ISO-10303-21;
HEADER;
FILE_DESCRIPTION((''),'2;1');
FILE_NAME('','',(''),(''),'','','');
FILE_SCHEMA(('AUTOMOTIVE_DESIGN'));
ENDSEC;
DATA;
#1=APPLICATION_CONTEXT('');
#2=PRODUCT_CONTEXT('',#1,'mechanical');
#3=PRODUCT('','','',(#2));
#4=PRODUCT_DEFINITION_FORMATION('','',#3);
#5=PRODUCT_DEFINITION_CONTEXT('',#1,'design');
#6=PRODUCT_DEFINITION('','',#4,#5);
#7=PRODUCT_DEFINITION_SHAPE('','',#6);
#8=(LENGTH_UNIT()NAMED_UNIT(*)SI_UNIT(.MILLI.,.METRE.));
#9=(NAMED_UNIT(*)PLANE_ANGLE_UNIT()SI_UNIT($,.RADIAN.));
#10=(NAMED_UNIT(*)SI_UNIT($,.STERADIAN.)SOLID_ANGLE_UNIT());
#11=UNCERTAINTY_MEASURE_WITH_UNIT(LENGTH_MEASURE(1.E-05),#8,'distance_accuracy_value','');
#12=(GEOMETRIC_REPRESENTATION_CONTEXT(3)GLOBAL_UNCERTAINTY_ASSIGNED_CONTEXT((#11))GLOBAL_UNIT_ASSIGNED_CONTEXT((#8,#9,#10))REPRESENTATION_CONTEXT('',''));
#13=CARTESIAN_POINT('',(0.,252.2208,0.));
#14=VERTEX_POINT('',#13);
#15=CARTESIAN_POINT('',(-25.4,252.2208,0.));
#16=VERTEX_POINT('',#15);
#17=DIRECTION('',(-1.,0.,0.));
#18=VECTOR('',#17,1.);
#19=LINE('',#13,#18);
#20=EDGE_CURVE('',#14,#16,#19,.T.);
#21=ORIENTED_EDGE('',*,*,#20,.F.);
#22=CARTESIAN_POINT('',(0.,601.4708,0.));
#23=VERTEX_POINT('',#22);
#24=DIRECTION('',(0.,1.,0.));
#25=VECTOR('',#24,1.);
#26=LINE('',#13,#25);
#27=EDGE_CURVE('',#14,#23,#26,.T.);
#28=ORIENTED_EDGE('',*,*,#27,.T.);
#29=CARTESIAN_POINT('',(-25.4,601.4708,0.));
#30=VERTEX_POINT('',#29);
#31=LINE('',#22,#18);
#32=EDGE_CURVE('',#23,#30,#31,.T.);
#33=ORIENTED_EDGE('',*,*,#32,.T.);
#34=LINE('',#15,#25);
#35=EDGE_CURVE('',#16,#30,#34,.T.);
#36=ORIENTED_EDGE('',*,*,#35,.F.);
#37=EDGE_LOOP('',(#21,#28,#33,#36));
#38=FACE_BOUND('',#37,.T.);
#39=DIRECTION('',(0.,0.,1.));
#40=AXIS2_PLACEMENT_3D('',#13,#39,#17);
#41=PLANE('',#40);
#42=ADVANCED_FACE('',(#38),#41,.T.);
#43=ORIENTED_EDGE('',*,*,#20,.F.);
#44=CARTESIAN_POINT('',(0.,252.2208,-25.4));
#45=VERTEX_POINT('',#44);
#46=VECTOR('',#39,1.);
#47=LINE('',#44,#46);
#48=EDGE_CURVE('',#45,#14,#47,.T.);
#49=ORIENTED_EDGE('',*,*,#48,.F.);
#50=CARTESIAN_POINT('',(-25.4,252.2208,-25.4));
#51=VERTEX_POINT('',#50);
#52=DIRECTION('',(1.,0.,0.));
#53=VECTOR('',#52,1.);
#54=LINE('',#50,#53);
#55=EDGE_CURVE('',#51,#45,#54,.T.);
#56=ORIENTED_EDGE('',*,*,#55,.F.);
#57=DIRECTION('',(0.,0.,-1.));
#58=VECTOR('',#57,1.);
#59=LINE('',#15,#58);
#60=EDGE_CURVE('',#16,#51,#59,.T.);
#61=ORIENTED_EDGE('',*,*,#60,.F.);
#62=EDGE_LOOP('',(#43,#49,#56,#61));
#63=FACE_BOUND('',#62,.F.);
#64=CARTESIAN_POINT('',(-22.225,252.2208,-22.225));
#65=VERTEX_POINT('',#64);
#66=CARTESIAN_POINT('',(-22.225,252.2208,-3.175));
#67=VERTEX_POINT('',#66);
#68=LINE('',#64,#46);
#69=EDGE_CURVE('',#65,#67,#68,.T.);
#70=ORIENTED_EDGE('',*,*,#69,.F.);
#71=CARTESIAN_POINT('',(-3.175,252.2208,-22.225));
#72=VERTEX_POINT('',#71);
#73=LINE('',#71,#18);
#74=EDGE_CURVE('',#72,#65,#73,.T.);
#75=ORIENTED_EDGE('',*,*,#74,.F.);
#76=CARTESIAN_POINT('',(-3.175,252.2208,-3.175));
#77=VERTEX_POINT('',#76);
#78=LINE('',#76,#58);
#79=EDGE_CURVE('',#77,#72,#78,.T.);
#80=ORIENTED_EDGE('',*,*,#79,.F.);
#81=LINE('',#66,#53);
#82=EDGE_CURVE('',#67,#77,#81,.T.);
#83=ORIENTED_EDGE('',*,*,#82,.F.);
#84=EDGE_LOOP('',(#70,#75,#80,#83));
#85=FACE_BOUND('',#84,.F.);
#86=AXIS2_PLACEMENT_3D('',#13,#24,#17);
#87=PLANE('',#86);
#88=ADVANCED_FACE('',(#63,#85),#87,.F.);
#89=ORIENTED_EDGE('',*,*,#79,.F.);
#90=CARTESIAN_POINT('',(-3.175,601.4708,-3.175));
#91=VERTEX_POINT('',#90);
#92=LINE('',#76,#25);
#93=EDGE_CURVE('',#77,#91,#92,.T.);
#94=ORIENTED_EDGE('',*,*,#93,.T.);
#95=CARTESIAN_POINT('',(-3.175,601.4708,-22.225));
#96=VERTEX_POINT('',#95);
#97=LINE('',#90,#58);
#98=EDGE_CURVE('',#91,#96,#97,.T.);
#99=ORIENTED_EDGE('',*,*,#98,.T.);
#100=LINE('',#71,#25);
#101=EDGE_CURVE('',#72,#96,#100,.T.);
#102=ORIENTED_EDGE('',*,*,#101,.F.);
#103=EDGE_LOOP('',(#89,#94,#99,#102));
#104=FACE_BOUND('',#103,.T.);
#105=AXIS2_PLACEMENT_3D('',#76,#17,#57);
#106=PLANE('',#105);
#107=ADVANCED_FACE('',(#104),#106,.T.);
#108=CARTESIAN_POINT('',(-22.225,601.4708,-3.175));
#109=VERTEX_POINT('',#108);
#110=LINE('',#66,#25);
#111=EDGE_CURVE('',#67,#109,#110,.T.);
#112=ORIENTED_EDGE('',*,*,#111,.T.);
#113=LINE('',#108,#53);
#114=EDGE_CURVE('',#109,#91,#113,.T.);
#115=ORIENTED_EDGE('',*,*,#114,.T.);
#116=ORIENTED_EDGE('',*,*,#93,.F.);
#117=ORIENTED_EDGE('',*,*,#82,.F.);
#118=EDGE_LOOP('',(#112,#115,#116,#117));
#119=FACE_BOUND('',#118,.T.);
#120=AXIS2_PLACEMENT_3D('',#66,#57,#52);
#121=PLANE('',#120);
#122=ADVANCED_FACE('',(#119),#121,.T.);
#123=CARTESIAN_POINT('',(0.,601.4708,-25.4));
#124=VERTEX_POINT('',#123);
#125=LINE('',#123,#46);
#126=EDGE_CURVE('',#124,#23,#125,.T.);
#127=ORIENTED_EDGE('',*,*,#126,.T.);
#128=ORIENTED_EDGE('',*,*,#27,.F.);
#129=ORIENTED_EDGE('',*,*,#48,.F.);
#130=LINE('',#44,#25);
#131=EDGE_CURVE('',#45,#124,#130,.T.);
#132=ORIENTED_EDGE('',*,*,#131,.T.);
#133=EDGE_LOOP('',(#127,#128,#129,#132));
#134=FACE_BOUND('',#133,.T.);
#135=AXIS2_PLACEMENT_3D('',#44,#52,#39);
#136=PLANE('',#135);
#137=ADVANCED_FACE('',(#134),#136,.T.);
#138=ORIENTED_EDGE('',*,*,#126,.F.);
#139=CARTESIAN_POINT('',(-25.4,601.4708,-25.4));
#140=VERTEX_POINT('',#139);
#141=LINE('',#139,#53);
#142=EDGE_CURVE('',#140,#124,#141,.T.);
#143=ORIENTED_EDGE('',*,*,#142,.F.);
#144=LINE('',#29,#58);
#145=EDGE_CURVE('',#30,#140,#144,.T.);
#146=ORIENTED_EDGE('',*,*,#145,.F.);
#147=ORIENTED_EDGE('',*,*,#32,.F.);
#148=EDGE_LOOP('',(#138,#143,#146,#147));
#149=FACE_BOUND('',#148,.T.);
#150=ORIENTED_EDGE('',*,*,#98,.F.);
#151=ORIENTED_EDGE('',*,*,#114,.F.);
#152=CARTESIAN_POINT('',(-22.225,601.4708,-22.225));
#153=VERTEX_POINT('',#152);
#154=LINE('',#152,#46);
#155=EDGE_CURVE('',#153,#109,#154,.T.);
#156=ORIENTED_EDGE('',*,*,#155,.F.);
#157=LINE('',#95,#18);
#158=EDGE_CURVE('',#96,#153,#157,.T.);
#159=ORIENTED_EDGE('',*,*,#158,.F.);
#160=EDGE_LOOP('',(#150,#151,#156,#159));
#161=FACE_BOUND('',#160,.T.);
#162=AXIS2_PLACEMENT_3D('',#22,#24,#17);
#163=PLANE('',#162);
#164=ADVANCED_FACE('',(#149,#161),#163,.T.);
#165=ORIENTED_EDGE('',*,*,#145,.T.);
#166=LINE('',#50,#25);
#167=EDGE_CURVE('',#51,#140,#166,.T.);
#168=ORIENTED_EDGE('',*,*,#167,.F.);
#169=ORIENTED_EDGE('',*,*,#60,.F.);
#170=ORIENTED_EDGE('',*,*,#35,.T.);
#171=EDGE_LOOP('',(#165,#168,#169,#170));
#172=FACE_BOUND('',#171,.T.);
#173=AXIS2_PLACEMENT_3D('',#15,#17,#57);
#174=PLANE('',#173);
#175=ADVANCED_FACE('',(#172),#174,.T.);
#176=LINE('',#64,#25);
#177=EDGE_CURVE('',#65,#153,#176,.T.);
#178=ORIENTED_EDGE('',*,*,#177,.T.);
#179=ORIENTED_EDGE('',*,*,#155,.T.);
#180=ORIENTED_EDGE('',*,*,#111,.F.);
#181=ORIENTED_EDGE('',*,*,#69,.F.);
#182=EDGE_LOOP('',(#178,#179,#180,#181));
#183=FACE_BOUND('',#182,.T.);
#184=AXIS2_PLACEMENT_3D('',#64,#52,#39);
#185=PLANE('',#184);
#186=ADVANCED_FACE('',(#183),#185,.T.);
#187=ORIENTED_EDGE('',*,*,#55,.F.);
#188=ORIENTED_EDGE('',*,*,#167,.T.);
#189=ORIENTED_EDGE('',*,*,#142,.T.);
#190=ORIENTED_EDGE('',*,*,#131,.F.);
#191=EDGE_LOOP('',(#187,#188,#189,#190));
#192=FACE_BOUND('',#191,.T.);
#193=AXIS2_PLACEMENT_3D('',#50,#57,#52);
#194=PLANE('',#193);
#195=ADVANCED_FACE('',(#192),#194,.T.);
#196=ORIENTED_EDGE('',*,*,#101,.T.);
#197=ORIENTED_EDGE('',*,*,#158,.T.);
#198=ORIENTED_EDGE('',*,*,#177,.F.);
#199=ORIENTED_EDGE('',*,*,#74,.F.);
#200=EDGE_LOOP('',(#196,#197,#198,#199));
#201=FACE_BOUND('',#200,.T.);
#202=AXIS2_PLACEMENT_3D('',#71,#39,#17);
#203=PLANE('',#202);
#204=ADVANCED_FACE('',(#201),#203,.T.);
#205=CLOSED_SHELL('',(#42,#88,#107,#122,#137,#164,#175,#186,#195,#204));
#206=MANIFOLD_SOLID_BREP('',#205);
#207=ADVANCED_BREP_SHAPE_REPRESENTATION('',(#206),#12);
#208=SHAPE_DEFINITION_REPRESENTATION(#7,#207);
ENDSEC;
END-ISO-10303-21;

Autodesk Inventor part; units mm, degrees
ref_plane "YZ Plane" through (0, 0, 0) normal (1, 0, 0) x (0, 1, 0)
sketch "Sketch1" plane through (0, 0, 0) normal (0, 1, 0) x (-1, 0, 0)
  line L0 (0, 0) -> (25.4, 0)
  line L1 (25.4, 0) -> (25.4, -25.4)
  line L2 (25.4, -25.4) -> (0, -25.4)
  line L3 (0, -25.4) -> (0, 0)
  line L4 (22.225, -22.225) -> (22.225, -3.175)
  line L5 (22.225, -3.175) -> (3.175, -3.175)
  line L6 (3.175, -3.175) -> (3.175, -22.225)
  line L7 (3.175, -22.225) -> (22.225, -22.225)
  dimension "d0" = 25.4
  dimension "d1" = 25.4
  dimension "d2" = 3.175
ref_plane "Work Plane1" through (-12.317, 252.2208, -280.054) normal (0, 1, 0) x (0, 0, 1)
ref_plane "Work Plane2" through (-12.317, 601.4708, -280.054) normal (0, -1, 0) x (1, 0, 0)
extrude "Extrusion1" add sketch "Sketch1" along normal up to surface (349.25 mm away) from surface at 252.2208
properties part number "15102898-16-P-0218" material "Aluminum 6061"
